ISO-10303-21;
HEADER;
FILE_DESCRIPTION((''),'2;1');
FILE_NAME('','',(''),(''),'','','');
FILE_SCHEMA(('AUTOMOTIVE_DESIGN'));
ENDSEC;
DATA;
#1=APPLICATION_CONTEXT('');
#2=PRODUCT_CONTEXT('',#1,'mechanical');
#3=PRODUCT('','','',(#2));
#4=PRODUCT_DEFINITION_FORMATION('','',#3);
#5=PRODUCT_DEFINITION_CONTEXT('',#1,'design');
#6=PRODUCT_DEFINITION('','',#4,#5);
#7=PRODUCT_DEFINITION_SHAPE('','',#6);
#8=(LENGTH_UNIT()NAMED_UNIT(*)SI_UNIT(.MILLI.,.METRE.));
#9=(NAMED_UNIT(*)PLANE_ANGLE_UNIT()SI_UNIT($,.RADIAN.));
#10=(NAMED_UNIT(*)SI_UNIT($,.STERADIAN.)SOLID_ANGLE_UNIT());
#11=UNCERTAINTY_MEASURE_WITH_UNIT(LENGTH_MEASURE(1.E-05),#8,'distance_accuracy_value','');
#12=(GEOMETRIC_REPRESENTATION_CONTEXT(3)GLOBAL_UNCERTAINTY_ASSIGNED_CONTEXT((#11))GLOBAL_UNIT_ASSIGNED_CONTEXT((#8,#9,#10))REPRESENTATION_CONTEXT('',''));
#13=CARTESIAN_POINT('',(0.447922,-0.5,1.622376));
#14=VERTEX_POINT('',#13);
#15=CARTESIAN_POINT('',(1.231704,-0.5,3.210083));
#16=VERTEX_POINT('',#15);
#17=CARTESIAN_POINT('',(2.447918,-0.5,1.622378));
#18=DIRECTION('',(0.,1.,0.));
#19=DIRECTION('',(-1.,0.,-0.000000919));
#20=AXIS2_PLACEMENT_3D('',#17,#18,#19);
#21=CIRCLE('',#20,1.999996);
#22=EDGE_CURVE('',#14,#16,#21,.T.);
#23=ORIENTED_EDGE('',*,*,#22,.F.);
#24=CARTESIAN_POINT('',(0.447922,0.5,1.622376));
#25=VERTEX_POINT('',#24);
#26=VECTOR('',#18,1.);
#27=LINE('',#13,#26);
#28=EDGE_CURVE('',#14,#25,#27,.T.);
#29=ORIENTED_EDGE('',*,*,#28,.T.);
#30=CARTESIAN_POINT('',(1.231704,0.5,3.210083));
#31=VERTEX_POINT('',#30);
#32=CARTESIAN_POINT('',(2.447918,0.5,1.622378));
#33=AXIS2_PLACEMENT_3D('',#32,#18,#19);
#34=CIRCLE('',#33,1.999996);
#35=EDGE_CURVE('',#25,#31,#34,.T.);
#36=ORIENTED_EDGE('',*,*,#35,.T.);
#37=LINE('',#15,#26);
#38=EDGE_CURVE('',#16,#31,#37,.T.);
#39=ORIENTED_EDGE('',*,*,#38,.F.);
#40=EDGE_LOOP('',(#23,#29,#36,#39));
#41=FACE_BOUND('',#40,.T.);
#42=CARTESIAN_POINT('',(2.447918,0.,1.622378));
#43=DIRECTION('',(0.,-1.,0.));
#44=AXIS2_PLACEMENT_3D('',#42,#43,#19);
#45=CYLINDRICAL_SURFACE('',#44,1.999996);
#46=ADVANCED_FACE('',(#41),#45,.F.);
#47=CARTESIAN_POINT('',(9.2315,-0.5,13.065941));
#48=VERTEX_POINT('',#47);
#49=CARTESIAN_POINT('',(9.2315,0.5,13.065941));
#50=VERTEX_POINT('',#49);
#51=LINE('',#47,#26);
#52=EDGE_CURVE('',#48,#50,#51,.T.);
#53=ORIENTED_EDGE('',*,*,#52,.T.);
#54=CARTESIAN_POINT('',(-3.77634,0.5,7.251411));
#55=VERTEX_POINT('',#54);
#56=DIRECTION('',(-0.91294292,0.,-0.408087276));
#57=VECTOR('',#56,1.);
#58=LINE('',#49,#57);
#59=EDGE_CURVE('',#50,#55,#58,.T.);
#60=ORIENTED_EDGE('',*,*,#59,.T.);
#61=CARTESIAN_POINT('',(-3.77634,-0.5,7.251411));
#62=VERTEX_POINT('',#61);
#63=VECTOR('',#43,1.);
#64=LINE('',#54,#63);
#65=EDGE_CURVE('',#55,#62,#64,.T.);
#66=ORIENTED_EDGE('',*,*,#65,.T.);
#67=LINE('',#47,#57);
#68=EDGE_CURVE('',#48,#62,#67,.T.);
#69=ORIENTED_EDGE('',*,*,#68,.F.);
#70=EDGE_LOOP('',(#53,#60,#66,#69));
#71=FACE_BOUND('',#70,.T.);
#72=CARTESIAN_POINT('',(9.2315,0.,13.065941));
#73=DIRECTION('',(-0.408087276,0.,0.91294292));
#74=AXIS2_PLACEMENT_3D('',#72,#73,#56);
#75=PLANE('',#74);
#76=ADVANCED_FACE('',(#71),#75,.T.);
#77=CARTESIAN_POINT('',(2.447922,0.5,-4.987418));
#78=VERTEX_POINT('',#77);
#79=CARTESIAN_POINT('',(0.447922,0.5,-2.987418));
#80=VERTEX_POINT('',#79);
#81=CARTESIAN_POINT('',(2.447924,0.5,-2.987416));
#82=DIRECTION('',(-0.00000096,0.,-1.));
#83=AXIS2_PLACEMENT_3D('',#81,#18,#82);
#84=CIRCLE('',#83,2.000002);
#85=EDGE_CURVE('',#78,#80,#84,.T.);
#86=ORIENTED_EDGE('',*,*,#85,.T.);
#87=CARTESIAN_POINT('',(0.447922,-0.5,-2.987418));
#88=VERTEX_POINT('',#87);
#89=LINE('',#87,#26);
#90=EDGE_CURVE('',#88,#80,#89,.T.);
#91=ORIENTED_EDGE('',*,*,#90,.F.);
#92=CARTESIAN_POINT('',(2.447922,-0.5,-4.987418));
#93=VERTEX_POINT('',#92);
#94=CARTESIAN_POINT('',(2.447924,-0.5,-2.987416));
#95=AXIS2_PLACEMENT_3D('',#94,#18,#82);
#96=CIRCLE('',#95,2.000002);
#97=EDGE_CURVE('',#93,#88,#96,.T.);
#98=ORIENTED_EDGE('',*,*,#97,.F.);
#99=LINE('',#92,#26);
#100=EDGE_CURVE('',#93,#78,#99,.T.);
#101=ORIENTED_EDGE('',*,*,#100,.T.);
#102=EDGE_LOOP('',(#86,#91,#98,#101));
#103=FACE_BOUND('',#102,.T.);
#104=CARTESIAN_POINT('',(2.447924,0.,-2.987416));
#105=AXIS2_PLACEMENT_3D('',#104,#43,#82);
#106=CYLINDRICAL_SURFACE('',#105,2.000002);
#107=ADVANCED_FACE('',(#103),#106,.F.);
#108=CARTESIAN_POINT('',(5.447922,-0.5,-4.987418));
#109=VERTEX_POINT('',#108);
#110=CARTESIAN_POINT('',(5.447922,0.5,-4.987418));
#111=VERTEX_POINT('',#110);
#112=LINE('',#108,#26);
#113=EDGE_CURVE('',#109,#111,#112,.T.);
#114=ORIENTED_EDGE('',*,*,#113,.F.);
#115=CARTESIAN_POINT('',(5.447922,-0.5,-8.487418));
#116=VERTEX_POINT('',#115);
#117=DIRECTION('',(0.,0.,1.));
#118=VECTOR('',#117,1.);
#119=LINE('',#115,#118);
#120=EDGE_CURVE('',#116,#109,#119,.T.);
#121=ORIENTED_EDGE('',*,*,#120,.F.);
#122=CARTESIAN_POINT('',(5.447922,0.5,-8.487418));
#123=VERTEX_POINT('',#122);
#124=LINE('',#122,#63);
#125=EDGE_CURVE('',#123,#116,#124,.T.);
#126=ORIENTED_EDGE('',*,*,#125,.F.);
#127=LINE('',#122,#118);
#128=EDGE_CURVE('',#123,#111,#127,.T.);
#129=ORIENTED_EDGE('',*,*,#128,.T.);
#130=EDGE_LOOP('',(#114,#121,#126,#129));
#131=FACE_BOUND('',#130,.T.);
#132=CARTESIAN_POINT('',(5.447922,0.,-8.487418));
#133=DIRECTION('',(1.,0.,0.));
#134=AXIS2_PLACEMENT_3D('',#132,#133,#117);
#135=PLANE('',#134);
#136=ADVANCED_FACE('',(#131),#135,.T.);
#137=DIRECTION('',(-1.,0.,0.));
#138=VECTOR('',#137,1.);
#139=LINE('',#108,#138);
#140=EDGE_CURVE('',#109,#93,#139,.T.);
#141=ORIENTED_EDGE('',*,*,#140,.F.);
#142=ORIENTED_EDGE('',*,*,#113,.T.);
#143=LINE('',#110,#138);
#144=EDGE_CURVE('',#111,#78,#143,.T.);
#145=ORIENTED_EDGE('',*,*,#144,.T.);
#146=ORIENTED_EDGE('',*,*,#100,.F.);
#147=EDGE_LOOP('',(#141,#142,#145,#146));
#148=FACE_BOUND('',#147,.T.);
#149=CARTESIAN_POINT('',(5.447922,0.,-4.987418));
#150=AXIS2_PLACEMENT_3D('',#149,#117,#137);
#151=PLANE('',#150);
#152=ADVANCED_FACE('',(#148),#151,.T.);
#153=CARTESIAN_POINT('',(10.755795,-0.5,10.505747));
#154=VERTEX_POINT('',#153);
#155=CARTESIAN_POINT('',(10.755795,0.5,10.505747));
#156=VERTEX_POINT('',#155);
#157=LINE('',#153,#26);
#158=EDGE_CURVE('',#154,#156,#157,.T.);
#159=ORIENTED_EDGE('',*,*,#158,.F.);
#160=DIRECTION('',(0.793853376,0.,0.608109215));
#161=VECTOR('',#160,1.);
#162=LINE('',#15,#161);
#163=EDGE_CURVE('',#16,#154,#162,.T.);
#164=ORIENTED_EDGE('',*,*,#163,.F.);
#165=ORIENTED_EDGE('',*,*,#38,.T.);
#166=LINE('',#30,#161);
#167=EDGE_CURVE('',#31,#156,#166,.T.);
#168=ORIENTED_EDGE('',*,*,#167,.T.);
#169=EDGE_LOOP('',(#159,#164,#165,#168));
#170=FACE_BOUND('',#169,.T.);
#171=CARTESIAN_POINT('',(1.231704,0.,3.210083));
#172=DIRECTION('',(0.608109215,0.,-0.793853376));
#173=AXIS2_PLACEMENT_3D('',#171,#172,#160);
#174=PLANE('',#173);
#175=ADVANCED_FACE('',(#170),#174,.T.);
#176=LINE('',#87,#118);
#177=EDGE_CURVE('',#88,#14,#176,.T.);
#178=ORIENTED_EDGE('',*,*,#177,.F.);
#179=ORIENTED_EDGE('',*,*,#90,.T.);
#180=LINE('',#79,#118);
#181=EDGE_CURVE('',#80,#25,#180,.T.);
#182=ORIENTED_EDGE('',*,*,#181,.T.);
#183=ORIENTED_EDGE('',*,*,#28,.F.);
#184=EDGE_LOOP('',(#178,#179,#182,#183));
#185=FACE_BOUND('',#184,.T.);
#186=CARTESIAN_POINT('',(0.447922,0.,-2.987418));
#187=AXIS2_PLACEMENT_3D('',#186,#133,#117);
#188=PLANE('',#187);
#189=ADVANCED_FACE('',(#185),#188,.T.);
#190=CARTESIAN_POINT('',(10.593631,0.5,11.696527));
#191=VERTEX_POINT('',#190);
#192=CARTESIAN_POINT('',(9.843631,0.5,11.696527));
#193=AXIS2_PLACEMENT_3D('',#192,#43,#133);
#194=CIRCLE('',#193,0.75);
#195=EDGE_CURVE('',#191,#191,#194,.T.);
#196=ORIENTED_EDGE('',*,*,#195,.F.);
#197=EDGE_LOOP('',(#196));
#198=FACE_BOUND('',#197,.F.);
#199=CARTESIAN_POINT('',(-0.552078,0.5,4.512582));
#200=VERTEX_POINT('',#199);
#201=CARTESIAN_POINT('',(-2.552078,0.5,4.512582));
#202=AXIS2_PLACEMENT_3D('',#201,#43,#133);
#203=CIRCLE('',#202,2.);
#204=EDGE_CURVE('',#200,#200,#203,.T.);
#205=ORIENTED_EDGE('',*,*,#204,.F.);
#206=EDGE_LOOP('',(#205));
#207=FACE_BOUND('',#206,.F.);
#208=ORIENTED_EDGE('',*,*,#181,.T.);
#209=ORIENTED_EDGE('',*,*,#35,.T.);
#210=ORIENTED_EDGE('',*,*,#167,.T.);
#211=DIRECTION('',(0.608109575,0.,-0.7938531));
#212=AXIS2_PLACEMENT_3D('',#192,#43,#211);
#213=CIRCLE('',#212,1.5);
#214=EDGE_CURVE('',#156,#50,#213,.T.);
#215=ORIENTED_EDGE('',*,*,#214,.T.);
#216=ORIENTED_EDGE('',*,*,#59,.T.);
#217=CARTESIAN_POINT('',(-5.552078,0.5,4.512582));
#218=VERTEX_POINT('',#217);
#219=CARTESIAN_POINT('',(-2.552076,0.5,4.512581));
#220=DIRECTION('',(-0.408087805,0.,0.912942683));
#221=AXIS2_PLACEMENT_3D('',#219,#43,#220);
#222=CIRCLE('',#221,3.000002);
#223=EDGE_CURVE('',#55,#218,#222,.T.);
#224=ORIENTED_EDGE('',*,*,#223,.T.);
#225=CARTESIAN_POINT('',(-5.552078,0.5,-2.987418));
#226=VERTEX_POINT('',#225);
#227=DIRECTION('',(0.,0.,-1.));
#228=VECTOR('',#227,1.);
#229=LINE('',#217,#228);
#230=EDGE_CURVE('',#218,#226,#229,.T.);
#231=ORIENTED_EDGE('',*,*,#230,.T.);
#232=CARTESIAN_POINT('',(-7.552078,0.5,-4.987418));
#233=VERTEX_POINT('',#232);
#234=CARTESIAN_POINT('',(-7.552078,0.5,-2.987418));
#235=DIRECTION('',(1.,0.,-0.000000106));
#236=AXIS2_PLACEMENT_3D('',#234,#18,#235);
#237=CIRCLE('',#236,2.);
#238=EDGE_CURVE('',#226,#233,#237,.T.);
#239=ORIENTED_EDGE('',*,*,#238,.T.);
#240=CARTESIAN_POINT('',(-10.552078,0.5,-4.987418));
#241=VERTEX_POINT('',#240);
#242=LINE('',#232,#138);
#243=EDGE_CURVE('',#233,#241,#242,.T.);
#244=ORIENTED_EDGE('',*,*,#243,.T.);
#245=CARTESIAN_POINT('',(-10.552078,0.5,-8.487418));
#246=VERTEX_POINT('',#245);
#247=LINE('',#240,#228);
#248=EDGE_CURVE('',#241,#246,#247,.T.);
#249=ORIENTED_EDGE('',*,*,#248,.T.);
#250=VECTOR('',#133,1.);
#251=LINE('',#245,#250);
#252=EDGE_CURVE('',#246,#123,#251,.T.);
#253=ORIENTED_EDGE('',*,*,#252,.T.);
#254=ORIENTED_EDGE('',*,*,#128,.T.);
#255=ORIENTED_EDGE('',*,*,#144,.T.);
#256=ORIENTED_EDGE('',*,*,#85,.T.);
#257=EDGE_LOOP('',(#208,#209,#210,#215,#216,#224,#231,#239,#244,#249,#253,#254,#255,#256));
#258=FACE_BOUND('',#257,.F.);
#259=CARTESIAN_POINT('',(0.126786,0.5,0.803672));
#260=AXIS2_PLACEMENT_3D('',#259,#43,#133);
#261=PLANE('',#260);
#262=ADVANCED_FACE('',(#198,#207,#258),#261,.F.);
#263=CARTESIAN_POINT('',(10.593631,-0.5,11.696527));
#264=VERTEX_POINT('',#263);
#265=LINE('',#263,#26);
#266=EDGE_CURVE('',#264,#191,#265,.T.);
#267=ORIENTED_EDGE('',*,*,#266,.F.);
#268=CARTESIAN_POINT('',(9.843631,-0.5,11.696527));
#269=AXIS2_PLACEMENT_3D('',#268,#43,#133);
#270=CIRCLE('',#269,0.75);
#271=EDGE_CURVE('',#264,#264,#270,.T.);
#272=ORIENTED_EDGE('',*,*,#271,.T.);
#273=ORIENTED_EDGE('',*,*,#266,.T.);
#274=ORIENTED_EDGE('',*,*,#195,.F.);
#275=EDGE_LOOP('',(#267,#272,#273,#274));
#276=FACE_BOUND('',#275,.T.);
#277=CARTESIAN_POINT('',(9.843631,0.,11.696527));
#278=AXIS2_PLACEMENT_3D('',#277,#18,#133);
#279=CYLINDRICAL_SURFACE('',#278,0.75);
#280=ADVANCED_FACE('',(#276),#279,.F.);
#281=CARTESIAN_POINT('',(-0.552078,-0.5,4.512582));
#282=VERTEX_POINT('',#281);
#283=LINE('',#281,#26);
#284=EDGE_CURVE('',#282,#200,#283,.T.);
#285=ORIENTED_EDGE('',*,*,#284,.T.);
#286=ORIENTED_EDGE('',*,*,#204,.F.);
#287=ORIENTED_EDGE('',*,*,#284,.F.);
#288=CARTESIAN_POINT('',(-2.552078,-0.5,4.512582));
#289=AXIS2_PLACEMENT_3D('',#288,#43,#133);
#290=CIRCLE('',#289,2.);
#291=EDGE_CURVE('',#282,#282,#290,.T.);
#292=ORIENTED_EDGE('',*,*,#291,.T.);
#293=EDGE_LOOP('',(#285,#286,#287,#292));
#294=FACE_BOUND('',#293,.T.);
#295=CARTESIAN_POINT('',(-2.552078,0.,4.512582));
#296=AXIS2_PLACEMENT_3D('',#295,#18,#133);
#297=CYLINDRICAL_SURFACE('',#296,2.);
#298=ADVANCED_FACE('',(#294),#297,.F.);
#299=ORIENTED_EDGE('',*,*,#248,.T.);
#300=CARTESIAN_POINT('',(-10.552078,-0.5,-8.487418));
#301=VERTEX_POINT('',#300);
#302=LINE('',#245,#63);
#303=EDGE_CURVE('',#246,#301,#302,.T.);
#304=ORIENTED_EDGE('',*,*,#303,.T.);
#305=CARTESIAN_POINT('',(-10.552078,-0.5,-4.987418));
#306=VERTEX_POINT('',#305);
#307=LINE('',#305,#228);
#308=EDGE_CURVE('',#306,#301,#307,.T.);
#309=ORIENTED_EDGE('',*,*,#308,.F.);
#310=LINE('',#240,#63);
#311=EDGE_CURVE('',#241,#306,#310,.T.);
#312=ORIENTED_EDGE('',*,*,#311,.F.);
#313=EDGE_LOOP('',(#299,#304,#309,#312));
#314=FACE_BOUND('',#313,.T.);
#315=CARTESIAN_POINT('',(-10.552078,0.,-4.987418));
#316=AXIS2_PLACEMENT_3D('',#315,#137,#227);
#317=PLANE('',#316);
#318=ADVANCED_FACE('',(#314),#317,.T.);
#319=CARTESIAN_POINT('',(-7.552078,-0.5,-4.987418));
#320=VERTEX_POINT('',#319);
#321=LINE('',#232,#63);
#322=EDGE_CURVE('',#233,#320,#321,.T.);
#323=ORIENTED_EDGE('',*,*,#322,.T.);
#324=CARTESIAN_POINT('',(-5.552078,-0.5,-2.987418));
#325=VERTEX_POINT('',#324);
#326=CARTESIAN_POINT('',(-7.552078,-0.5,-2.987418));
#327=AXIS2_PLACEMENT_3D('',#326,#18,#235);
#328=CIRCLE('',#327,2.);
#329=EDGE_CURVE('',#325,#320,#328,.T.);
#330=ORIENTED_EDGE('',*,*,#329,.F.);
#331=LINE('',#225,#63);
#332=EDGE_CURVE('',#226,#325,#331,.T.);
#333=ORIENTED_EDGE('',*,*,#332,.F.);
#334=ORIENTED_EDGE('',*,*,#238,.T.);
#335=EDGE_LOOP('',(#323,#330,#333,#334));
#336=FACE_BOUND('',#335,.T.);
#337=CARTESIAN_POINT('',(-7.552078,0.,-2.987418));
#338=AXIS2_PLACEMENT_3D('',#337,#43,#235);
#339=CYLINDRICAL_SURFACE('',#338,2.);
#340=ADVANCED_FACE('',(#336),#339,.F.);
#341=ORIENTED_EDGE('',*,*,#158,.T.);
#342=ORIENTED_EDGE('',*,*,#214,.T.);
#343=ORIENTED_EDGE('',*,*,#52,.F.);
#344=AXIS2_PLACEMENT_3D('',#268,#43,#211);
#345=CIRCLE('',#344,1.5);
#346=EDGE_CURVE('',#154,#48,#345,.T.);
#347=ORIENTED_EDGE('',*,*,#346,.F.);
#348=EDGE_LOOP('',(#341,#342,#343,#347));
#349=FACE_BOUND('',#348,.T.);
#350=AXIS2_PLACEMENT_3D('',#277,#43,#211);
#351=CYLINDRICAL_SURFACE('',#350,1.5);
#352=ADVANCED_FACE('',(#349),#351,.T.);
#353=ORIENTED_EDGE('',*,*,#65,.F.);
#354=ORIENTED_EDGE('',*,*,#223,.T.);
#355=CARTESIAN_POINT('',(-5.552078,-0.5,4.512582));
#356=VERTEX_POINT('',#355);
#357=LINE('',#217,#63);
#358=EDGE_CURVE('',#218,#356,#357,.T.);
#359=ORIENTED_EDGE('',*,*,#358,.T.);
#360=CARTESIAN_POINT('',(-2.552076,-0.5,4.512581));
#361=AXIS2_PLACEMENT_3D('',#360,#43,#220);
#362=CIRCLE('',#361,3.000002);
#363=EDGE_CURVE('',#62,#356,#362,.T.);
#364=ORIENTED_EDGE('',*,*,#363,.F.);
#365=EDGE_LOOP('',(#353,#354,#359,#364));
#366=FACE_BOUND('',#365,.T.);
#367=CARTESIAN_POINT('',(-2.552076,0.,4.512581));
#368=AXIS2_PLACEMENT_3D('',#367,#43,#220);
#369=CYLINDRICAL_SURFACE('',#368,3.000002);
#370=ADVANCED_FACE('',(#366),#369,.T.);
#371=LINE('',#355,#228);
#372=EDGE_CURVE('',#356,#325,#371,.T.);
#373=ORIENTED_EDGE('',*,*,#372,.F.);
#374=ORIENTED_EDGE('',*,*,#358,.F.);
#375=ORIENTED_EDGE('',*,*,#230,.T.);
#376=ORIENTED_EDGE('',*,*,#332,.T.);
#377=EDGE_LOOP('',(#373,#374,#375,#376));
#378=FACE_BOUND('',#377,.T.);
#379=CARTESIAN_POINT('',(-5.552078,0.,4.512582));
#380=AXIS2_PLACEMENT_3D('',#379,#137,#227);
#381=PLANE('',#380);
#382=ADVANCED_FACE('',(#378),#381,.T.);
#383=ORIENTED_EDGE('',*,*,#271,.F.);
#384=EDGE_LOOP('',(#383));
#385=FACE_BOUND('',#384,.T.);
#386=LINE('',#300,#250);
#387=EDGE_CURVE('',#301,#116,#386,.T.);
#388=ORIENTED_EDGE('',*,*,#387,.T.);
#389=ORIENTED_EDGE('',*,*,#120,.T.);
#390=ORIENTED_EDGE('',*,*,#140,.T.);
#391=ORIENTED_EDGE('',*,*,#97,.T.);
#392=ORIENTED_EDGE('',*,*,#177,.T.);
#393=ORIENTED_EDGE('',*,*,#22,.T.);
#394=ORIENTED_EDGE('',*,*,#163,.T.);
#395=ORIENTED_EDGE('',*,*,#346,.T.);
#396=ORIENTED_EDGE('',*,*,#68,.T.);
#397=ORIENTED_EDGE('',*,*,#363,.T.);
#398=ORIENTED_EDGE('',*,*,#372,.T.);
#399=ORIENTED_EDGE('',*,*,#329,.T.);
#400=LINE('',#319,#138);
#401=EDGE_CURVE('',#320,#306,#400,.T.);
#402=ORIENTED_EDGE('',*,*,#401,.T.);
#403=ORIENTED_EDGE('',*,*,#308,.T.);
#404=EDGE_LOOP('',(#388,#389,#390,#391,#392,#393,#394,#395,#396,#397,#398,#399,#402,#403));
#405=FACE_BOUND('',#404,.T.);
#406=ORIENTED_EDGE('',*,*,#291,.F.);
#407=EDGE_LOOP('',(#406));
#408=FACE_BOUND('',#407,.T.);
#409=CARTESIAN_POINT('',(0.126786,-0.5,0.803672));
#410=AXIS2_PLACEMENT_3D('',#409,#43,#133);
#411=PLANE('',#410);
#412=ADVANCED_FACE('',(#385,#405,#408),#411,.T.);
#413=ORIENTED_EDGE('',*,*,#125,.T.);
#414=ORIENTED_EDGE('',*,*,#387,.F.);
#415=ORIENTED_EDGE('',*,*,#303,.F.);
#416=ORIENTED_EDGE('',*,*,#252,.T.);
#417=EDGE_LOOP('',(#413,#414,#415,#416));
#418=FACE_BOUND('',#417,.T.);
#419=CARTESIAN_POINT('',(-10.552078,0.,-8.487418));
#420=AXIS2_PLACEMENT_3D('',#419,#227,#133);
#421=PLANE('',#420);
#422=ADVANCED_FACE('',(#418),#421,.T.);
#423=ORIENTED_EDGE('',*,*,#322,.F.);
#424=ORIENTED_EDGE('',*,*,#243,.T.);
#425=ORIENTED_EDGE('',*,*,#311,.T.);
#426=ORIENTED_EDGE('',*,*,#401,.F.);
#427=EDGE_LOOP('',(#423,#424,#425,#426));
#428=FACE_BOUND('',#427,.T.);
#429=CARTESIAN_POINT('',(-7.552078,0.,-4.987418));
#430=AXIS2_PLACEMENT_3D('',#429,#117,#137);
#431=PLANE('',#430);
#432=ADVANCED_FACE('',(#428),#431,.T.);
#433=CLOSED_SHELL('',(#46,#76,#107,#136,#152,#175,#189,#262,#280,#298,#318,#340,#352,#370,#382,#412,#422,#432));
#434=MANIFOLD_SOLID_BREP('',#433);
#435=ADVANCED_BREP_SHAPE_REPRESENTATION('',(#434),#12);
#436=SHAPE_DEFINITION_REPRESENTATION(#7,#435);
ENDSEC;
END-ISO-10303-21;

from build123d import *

# Parameters (mm, degrees)
F0_R     = 2
F0_R_2   = 0.75
F1_DEPTH = 0.5


with BuildPart() as f1:
    # F0 (on Front) → F1 (new body, symmetric)
    with BuildSketch(Plane.XZ):
        with BuildLine():
            Line((9.2315, 13.065941), (-3.77634, 7.251411))
            ThreePointArc((-3.77634, 7.251411), (-5.069297, 6.144638), (-5.552078, 4.512582))
            Line((-5.552078, 4.512582), (-5.552078, -2.987418))
            ThreePointArc((-5.552078, -2.987418), (-6.137864, -4.401631), (-7.552078, -4.987418))
            Line((-7.552078, -4.987418), (-10.552078, -4.987418))
            Line((-10.552078, -4.987418), (-10.552078, -8.487418))
            Line((-10.552078, -8.487418), (5.447922, -8.487418))
            Line((5.447922, -8.487418), (5.447922, -4.987418))
            Line((5.447922, -4.987418), (2.447922, -4.987418))
            ThreePointArc((2.447922, -4.987418), (1.033709, -4.401631), (0.447922, -2.987418))
            Line((0.447922, -2.987418), (0.447922, 1.622376))
            ThreePointArc((0.447922, 1.622376), (0.65454, 2.507691), (1.231704, 3.210083))
            Line((1.231704, 3.210083), (10.755795, 10.505747))
            ThreePointArc((10.755795, 10.505747), (11.132488, 12.46389), (9.2315, 13.065941))
        make_face()
        with Locations((-2.552078, 4.512582)):
            Circle(F0_R, mode=Mode.SUBTRACT)
        with Locations((9.843631, 11.696527)):
            Circle(F0_R_2, mode=Mode.SUBTRACT)
    extrude(amount=F1_DEPTH, both=True)


solid = f1.part
